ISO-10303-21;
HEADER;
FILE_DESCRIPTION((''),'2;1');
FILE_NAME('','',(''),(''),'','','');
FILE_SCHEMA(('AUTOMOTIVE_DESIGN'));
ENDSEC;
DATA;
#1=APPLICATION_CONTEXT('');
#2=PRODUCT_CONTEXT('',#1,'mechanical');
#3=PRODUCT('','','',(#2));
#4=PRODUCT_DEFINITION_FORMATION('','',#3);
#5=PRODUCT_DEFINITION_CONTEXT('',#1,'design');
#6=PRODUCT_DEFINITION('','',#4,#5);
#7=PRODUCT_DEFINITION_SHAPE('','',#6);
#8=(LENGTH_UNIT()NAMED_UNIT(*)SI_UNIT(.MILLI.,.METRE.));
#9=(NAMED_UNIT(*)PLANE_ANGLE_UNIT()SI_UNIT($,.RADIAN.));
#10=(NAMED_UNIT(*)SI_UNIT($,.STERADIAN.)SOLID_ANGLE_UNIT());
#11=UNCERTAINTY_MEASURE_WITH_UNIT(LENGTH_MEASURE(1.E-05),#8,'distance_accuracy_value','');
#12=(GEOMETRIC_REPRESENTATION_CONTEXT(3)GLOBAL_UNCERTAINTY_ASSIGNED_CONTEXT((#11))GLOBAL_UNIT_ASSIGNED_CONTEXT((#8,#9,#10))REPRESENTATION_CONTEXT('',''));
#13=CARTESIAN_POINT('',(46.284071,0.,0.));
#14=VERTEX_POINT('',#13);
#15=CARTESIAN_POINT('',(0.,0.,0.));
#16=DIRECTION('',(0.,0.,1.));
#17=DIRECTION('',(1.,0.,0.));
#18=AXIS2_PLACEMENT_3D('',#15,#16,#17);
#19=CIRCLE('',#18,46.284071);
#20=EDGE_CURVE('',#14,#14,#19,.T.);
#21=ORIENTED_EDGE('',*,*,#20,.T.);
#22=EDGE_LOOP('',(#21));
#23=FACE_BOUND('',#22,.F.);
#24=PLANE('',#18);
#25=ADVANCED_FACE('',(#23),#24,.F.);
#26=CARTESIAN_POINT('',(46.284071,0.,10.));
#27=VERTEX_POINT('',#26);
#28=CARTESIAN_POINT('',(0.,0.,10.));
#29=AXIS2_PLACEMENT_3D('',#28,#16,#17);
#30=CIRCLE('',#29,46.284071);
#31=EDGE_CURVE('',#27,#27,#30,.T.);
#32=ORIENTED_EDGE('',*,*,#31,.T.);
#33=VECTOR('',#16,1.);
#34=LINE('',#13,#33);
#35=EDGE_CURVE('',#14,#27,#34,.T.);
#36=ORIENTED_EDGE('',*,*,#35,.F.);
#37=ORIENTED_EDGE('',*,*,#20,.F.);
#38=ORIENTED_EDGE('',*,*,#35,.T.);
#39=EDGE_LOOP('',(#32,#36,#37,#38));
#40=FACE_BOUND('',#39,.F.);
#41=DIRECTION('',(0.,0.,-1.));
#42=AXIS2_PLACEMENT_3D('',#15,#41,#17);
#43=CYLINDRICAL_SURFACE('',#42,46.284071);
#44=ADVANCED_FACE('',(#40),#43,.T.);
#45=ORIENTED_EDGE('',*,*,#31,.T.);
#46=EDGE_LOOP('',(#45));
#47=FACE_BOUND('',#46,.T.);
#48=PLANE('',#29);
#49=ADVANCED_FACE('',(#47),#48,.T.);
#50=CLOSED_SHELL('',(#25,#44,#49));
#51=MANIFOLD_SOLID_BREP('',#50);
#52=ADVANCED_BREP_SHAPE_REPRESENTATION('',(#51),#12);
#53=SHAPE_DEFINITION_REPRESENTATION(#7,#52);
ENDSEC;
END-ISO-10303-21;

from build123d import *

# Parameters (mm, degrees)
SKETCH_R  = 46.284071
PAD_DEPTH = 10


with BuildPart() as part:
    # Sketch → Pad (new body)
    with BuildSketch(Plane.XY):
        Circle(SKETCH_R)
    extrude(amount=PAD_DEPTH)


solid = part.part
